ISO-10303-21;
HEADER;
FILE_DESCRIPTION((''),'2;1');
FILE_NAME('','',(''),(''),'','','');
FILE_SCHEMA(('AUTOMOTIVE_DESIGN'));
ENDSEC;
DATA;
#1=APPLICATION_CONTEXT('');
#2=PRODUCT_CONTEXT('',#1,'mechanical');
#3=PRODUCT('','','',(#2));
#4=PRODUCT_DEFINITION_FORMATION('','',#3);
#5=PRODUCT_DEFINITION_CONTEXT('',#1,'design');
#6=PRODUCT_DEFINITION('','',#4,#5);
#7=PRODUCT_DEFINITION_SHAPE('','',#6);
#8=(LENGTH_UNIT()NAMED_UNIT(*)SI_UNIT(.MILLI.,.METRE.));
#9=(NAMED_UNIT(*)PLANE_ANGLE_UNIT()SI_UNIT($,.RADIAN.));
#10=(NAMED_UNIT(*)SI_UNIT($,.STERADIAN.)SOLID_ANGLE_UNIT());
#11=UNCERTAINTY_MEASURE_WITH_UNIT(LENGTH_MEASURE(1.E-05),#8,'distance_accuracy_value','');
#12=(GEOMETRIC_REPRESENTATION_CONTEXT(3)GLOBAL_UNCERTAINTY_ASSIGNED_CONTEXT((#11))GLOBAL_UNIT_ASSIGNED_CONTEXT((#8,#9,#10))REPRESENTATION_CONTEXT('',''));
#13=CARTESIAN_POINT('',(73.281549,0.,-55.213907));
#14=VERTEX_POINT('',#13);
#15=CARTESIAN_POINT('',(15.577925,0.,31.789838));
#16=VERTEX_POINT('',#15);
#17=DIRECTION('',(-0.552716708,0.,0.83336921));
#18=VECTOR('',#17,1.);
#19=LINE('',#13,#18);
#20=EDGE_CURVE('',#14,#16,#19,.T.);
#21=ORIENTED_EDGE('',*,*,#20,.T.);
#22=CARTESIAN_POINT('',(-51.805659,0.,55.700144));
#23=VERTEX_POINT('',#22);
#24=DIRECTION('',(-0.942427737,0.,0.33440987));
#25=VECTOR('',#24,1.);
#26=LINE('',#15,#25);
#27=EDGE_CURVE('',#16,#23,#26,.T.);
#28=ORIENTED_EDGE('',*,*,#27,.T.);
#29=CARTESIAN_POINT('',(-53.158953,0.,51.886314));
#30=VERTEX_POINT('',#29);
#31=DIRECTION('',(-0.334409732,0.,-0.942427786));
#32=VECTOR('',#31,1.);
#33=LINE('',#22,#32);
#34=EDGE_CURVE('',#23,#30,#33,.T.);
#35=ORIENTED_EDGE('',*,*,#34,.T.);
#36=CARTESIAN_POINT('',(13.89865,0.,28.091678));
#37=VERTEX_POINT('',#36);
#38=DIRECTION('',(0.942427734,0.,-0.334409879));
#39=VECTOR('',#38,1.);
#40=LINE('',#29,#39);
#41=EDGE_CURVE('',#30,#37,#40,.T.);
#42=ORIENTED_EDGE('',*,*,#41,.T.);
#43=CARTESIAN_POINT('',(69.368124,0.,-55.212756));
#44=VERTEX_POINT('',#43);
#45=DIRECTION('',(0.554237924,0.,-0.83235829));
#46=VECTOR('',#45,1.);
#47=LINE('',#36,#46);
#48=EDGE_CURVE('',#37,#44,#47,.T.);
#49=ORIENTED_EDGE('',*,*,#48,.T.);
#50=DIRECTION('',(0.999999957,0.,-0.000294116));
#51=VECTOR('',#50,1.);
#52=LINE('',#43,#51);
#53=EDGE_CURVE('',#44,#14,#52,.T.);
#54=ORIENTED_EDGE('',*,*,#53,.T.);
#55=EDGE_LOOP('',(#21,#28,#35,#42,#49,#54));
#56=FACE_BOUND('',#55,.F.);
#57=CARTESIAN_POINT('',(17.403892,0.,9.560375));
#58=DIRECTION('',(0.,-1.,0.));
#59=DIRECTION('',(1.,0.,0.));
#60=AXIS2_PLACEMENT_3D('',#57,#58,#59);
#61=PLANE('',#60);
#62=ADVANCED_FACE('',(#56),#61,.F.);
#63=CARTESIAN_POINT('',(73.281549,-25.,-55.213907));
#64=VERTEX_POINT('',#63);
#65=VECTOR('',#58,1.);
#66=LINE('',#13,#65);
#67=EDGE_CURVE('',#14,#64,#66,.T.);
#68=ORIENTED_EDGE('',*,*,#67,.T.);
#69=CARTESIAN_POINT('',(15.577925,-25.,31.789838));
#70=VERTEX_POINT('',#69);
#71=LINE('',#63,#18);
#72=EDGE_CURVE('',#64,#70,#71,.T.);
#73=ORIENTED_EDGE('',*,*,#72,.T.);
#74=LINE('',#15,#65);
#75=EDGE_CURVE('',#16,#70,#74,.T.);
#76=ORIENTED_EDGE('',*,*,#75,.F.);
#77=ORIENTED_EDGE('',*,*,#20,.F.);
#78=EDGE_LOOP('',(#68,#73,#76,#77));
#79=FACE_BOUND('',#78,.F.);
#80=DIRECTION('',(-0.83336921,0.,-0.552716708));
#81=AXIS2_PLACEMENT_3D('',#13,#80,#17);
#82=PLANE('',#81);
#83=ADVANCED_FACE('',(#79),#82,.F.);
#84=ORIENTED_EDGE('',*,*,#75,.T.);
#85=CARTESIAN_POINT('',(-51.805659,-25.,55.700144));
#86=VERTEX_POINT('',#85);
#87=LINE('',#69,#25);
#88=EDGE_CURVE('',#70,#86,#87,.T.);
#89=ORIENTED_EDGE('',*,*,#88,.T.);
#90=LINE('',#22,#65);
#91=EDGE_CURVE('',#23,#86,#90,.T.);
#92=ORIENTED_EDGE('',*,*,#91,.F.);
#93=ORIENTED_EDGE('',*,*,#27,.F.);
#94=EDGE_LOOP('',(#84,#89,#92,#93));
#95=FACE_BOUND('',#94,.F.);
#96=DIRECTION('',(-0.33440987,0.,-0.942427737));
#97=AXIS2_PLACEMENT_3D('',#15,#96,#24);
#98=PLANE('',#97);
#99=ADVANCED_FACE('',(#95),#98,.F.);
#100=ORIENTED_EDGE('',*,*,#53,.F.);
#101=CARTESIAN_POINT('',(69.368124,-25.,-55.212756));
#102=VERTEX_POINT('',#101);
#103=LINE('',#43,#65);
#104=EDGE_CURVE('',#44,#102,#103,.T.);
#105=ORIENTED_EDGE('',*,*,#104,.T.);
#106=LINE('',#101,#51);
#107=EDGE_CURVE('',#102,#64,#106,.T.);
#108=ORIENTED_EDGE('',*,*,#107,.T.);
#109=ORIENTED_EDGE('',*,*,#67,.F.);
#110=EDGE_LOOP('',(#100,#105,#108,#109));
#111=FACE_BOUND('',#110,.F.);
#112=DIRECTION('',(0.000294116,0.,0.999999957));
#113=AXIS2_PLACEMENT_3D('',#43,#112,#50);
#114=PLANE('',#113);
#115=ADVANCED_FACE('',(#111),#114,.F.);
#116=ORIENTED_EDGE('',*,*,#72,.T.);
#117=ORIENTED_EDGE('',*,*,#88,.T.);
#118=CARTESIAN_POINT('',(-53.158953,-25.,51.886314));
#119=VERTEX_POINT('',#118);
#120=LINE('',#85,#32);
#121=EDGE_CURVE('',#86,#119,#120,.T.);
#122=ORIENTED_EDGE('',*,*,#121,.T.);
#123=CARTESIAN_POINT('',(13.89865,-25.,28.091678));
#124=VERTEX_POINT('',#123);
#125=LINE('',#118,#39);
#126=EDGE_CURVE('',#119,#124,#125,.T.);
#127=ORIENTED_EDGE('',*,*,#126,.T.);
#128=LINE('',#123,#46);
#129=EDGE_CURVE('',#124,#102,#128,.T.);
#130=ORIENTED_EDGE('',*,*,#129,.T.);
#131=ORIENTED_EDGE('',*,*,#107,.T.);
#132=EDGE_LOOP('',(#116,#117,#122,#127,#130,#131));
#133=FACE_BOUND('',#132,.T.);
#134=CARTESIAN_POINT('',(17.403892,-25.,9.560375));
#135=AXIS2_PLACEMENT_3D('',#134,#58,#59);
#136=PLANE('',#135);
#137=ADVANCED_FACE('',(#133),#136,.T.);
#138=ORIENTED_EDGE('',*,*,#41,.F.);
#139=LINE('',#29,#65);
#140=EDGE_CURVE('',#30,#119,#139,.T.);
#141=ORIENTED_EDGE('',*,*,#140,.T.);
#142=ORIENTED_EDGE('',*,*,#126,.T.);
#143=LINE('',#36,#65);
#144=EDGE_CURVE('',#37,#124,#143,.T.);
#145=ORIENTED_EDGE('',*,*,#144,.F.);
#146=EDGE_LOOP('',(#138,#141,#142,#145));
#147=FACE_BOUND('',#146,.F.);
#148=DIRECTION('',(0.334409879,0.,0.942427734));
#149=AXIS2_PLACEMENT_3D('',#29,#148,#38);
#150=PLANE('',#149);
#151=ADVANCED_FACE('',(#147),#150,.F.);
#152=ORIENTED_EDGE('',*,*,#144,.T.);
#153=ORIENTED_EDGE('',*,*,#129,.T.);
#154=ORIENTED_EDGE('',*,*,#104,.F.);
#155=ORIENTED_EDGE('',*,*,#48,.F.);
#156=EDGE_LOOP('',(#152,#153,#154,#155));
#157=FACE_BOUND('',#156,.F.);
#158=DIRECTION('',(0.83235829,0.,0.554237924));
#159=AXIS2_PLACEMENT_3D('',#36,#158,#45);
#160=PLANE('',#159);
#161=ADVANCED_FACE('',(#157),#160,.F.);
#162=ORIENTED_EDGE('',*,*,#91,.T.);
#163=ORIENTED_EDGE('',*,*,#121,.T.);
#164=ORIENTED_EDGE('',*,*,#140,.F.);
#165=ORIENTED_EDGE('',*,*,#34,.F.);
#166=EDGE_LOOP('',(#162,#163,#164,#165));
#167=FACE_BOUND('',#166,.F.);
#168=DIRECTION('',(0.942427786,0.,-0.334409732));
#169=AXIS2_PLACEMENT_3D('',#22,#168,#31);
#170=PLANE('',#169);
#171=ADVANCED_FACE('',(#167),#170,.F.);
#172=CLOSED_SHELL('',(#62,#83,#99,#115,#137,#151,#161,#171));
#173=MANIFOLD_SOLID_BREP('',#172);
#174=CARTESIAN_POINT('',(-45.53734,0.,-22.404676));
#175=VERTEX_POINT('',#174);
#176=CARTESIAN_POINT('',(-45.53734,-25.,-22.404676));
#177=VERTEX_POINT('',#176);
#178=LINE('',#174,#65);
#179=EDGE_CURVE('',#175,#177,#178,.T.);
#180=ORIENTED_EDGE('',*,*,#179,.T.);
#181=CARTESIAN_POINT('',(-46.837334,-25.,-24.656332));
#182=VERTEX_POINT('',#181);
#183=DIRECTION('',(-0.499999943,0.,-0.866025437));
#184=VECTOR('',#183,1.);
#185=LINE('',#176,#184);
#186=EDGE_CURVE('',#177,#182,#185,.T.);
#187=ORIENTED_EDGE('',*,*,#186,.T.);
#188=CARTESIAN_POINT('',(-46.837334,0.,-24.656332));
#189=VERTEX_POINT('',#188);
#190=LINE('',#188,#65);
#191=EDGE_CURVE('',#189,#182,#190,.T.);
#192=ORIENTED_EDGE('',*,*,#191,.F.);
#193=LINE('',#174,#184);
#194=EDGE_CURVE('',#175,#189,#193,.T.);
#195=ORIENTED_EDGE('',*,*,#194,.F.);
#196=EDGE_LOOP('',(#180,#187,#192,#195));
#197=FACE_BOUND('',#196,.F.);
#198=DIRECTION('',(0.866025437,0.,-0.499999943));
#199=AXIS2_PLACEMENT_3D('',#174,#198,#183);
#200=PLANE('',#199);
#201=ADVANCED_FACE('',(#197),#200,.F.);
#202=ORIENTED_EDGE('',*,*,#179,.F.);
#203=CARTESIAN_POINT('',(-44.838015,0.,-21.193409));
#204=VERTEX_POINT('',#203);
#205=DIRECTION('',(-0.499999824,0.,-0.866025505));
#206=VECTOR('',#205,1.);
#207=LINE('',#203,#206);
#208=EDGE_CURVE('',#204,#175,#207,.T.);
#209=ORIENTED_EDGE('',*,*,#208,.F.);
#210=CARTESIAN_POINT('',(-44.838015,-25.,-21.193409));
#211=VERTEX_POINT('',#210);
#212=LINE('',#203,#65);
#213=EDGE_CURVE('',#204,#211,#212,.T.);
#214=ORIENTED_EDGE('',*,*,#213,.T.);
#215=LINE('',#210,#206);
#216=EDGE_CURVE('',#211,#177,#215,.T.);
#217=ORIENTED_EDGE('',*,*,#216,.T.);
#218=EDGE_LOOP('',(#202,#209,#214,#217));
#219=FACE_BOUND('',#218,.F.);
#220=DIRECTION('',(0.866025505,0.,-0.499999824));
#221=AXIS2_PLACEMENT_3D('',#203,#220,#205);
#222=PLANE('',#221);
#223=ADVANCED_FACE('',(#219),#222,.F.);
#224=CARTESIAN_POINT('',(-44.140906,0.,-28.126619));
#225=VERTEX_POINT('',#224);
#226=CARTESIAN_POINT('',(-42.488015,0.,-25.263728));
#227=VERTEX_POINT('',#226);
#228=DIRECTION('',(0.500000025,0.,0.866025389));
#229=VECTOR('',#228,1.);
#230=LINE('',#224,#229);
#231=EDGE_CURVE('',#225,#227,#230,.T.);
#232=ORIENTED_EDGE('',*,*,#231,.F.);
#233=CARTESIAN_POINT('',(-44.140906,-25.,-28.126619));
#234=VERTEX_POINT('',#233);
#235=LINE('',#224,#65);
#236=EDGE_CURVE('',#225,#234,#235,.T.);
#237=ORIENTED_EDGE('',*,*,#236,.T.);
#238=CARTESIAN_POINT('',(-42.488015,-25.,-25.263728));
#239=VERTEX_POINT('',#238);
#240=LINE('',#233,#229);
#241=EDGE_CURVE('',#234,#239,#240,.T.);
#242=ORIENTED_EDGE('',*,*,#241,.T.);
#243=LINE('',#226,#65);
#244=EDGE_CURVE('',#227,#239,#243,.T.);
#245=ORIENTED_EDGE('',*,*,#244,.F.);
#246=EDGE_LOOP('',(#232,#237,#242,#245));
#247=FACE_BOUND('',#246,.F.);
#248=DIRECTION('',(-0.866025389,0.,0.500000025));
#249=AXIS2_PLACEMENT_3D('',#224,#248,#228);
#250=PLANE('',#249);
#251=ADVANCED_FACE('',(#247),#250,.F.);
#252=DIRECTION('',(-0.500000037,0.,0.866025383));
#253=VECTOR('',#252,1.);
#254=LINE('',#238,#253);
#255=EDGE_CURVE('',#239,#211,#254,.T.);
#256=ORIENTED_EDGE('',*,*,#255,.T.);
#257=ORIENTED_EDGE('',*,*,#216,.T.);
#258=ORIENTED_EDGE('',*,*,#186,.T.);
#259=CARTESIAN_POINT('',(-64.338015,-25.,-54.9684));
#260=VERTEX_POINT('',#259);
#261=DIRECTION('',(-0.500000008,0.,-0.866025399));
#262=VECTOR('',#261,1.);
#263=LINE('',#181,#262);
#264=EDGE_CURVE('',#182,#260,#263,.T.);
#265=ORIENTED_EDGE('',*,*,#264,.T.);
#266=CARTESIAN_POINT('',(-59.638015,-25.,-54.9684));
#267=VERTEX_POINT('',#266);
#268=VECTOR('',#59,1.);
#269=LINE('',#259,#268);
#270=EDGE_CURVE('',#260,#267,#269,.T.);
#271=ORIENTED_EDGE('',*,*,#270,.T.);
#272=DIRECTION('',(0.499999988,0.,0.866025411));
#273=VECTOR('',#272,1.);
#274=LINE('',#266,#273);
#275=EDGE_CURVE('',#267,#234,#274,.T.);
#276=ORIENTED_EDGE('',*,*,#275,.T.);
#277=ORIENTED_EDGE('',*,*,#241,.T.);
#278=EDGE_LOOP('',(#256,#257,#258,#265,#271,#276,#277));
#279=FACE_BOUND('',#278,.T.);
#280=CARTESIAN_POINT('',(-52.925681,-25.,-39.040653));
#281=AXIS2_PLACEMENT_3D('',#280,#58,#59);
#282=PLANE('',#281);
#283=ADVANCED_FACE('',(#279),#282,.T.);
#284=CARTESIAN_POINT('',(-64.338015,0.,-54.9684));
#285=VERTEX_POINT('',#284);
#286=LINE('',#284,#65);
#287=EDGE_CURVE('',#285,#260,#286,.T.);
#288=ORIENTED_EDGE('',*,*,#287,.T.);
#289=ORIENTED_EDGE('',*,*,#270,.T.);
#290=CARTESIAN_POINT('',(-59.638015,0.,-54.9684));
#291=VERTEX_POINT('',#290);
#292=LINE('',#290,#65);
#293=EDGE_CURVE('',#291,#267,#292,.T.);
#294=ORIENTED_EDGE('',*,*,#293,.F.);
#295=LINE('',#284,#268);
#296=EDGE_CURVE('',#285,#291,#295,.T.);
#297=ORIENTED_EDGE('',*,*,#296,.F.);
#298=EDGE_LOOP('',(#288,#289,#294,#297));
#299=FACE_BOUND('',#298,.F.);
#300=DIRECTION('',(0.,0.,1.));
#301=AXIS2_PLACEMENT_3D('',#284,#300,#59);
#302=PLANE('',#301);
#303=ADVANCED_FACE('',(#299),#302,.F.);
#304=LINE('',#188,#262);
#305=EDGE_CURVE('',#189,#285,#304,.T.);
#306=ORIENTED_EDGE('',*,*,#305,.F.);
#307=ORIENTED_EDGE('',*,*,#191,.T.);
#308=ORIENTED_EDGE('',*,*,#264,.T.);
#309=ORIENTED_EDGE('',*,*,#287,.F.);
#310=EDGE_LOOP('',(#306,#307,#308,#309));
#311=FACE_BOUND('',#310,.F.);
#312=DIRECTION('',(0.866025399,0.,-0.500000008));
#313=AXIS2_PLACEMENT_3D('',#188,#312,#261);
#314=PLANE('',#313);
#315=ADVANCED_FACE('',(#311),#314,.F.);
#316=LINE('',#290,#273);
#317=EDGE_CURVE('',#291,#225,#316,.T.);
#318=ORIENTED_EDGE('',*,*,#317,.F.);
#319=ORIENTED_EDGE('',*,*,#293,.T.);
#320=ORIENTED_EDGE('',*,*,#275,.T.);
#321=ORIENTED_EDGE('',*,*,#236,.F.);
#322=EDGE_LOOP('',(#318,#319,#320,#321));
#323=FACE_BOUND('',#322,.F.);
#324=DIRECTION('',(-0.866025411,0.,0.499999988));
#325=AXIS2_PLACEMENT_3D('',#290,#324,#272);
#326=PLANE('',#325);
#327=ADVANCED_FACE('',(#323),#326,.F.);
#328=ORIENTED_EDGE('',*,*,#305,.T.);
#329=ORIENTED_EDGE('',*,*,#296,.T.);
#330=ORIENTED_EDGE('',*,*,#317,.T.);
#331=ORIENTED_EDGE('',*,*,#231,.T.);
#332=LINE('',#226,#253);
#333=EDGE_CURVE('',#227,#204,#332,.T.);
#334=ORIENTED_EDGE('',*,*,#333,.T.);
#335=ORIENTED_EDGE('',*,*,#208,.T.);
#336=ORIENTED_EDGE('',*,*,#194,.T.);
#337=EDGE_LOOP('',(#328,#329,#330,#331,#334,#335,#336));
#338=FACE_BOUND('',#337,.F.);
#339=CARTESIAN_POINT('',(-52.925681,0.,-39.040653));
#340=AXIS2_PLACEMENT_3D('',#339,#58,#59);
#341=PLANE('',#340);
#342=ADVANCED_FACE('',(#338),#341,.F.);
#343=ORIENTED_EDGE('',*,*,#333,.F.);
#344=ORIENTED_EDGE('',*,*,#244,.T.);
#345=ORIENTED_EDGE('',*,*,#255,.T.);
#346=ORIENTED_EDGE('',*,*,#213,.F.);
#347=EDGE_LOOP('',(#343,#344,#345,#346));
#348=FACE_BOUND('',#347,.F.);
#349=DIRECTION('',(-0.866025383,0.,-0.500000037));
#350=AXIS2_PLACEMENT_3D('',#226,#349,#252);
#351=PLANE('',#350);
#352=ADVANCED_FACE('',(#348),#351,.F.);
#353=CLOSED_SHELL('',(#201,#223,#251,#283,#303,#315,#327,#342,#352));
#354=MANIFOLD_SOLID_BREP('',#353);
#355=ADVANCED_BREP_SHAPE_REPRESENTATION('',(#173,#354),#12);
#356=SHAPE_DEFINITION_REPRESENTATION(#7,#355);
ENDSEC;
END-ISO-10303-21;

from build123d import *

# Parameters (mm, degrees)
F1_DEPTH = 25


with BuildPart() as f1:
    # F0 (on Front) → F1 (new body)
    with BuildSketch(Plane.XZ):
        Polygon((13.89865, 28.091678), (69.368124, -55.212756), (73.281549, -55.213907), (15.577925, 31.789838), (-51.805659, 55.700144), (-53.158953, 51.886314), align=None)
        Polygon((-64.338015, -54.9684), (-59.638015, -54.9684), (-44.140906, -28.126619), (-42.488015, -25.263728), (-44.838015, -21.193409), (-45.53734, -22.404676), (-46.837334, -24.656332), align=None)
    extrude(amount=F1_DEPTH)


solid = f1.part
